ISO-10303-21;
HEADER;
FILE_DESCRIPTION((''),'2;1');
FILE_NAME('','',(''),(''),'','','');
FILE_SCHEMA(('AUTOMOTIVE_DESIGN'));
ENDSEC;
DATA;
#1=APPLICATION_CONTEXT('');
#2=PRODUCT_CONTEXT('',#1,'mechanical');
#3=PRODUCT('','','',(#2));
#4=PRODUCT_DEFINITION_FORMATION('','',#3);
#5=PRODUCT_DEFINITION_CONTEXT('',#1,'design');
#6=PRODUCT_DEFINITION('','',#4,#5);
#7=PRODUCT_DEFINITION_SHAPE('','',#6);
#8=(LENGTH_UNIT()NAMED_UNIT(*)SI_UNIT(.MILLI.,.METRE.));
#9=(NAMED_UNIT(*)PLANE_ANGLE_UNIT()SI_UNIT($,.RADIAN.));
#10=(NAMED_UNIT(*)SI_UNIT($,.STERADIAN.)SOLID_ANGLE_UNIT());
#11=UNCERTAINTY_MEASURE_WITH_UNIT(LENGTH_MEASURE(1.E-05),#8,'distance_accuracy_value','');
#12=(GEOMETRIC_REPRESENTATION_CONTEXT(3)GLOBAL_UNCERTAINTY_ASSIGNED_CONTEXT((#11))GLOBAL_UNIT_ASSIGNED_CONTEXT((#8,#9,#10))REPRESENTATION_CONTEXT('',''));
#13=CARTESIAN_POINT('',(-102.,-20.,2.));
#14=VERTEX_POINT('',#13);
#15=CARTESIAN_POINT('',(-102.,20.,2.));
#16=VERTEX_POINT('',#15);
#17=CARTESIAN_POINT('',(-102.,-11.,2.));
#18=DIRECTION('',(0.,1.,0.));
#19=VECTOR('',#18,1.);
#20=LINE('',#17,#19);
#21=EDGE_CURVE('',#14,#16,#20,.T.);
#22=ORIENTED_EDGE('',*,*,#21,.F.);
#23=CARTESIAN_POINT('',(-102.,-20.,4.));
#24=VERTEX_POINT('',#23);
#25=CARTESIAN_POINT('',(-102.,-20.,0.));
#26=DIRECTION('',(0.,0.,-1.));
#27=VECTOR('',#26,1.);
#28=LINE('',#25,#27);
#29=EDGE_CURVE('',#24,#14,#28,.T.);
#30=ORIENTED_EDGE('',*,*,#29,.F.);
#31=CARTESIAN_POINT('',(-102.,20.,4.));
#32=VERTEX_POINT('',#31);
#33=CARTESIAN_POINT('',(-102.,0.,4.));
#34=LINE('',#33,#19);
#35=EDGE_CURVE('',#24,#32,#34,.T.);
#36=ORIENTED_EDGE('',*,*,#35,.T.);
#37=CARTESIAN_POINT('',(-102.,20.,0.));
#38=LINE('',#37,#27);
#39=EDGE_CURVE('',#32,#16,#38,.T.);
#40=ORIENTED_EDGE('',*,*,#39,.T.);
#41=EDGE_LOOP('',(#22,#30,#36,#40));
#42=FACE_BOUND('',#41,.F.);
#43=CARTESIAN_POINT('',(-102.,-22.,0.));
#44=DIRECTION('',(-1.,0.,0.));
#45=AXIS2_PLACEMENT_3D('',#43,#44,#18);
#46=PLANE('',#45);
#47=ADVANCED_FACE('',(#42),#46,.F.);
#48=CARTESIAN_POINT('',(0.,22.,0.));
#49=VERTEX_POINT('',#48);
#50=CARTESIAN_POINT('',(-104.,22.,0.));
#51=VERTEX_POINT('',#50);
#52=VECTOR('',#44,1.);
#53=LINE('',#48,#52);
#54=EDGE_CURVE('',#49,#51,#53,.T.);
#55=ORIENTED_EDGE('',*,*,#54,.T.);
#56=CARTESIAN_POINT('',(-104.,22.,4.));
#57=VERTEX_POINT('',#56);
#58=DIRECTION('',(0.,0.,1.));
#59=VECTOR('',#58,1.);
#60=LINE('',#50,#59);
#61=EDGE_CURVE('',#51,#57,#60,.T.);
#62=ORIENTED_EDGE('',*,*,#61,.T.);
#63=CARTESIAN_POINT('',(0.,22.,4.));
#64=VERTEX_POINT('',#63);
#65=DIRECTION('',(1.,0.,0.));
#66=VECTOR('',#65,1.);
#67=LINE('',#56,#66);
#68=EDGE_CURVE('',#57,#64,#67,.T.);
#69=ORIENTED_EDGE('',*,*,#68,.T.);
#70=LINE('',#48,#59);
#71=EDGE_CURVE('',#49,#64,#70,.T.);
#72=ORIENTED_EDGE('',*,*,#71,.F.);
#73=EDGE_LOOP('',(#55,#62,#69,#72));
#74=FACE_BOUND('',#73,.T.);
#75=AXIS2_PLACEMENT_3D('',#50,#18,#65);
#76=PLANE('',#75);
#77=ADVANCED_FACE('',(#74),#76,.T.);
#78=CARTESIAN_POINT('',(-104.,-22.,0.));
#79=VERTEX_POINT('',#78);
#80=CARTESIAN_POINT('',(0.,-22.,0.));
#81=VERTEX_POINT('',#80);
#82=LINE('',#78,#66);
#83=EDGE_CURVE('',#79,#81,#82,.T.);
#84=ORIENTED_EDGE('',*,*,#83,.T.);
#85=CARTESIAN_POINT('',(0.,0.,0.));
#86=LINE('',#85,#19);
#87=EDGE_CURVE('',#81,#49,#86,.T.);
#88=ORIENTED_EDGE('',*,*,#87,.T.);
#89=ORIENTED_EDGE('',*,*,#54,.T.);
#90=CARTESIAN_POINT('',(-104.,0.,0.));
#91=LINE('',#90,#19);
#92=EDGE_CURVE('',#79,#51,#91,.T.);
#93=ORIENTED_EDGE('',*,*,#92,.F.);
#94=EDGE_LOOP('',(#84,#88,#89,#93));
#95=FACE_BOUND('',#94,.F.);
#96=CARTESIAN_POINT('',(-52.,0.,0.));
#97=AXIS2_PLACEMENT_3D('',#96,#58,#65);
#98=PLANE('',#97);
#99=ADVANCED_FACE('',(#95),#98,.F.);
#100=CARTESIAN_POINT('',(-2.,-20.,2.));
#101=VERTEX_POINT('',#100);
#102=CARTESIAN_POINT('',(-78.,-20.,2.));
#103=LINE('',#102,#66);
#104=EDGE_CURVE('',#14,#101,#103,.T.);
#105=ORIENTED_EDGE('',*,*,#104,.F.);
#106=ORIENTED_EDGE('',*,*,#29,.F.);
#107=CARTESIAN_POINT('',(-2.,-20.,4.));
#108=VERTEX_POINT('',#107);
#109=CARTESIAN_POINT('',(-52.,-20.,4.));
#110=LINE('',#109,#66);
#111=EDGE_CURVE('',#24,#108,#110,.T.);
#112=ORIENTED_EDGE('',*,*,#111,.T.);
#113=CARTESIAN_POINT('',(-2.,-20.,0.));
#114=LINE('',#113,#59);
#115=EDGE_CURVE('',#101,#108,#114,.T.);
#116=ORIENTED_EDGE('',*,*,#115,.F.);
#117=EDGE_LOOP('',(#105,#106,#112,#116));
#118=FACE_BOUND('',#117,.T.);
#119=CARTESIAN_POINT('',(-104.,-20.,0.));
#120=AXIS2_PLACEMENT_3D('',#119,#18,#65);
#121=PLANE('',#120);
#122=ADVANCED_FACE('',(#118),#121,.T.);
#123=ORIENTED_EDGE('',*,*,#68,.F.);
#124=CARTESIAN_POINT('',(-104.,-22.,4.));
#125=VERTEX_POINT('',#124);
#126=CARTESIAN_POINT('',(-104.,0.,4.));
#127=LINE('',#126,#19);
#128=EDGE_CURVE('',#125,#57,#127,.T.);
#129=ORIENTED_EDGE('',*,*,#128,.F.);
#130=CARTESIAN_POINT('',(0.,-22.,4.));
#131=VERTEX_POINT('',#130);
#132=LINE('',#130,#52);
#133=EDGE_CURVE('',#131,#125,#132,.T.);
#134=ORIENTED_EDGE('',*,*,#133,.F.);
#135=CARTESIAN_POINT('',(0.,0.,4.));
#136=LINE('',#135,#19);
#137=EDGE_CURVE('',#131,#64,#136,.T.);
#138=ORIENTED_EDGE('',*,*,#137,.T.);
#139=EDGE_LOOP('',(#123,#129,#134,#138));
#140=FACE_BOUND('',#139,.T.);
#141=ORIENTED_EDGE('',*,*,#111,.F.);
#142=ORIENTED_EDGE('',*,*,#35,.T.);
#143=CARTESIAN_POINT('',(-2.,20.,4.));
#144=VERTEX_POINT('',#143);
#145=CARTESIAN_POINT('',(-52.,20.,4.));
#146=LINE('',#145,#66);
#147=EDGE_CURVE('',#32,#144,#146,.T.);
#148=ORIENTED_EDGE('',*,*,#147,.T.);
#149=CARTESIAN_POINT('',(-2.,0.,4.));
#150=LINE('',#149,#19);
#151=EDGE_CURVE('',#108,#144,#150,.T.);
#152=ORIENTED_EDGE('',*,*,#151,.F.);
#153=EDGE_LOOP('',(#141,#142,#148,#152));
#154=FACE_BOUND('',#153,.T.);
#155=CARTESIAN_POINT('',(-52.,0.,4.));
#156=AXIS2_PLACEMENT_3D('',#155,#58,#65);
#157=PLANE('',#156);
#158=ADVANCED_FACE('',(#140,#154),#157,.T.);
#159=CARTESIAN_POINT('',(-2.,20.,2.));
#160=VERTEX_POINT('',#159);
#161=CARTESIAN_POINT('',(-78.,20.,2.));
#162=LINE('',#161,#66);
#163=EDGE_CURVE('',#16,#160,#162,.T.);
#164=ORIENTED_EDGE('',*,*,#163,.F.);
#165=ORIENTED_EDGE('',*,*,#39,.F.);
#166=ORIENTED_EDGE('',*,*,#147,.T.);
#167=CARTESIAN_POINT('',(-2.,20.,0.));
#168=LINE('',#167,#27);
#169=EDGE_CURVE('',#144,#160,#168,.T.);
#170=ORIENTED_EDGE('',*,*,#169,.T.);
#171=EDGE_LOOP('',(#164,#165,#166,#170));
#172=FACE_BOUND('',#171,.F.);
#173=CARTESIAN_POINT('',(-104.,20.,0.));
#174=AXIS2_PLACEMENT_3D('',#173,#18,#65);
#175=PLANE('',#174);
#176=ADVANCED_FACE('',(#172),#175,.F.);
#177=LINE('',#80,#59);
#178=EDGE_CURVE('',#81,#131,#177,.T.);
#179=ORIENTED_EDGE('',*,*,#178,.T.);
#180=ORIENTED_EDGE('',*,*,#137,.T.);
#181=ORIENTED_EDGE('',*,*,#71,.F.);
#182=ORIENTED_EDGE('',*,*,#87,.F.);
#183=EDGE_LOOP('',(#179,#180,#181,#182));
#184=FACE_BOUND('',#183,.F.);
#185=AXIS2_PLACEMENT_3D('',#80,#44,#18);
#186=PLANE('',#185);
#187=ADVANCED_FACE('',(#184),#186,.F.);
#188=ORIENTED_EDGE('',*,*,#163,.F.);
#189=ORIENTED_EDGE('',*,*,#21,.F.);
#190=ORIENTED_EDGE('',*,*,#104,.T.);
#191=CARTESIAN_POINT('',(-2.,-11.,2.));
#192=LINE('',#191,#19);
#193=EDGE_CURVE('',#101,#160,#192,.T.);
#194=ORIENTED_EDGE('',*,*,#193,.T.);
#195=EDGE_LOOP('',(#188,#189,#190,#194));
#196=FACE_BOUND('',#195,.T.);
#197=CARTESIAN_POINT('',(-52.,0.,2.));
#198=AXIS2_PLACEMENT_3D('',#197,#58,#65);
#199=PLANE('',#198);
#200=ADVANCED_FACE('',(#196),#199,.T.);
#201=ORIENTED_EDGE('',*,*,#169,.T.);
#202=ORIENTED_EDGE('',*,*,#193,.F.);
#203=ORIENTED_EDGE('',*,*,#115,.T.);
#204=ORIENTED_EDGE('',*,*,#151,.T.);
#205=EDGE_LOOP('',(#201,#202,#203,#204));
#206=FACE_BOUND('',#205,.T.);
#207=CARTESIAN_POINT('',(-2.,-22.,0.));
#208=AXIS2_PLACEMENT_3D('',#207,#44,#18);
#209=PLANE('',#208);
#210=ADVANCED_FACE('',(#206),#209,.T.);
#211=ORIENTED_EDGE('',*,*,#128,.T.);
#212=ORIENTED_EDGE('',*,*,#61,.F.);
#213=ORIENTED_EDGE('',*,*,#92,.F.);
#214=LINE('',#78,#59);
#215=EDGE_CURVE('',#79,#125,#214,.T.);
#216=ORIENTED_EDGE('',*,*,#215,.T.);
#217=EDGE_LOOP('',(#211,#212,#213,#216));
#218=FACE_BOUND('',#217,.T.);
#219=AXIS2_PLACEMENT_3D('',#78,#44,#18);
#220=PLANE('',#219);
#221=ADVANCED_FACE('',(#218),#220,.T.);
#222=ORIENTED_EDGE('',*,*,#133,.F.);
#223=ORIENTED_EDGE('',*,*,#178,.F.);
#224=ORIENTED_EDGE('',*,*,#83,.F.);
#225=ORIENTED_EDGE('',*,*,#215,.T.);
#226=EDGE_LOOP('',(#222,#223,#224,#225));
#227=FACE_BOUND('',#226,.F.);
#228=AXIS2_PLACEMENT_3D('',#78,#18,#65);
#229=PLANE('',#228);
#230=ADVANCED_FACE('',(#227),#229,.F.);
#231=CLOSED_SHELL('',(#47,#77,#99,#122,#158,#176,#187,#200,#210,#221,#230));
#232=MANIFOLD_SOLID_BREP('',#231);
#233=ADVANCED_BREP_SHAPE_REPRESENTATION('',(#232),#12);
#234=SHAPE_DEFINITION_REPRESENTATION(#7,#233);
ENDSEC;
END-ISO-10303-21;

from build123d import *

# Parameters (mm, degrees)
F0_W     = 104
F0_H     = 44
F1_DEPTH = 4
F2_T     = -2
F4_DEPTH = 10


with BuildPart() as f1:
    # F0 (on Top) → F1 (new body)
    with BuildSketch(Plane.XY):
        with Locations((-52, 0)):
            Rectangle(F0_W, F0_H)
    extrude(amount=F1_DEPTH)

    # F2
    f2_openings = [f1.faces().sort_by_distance(p)[0] for p in [
        (-52, 0, 4),
    ]]
    offset(amount=F2_T, openings=f2_openings)

    # F3 (on face) → F4 (cut)
    with BuildSketch(Plane.XY):
        with BuildLine():
            Line((-82.539678, 22), (-21.460322, 22))
            ThreePointArc((-21.460322, 22), (-20.730103, 22.059424), (-20, 22.120252))
            Line((-20, 22.120252), (-20, 36.755234))
            Line((-20, 36.755234), (-84, 36.755234))
            Line((-84, 36.755234), (-84, 22.120252))
            ThreePointArc((-84, 22.120252), (-83.269897, 22.059424), (-82.539678, 22))
        make_face()
        with BuildLine():
            Line((-20, -36.755234), (-20, -22.120252))
            ThreePointArc((-20, -22.120252), (-20.730103, -22.059424), (-21.460322, -22))
            Line((-21.460322, -22), (-82.539678, -22))
            ThreePointArc((-82.539678, -22), (-83.269897, -22.059424), (-84, -22.120252))
            Line((-84, -22.120252), (-84, -36.755234))
            Line((-84, -36.755234), (-20, -36.755234))
        make_face()
    extrude(amount=F4_DEPTH, mode=Mode.SUBTRACT)


solid = f1.part
